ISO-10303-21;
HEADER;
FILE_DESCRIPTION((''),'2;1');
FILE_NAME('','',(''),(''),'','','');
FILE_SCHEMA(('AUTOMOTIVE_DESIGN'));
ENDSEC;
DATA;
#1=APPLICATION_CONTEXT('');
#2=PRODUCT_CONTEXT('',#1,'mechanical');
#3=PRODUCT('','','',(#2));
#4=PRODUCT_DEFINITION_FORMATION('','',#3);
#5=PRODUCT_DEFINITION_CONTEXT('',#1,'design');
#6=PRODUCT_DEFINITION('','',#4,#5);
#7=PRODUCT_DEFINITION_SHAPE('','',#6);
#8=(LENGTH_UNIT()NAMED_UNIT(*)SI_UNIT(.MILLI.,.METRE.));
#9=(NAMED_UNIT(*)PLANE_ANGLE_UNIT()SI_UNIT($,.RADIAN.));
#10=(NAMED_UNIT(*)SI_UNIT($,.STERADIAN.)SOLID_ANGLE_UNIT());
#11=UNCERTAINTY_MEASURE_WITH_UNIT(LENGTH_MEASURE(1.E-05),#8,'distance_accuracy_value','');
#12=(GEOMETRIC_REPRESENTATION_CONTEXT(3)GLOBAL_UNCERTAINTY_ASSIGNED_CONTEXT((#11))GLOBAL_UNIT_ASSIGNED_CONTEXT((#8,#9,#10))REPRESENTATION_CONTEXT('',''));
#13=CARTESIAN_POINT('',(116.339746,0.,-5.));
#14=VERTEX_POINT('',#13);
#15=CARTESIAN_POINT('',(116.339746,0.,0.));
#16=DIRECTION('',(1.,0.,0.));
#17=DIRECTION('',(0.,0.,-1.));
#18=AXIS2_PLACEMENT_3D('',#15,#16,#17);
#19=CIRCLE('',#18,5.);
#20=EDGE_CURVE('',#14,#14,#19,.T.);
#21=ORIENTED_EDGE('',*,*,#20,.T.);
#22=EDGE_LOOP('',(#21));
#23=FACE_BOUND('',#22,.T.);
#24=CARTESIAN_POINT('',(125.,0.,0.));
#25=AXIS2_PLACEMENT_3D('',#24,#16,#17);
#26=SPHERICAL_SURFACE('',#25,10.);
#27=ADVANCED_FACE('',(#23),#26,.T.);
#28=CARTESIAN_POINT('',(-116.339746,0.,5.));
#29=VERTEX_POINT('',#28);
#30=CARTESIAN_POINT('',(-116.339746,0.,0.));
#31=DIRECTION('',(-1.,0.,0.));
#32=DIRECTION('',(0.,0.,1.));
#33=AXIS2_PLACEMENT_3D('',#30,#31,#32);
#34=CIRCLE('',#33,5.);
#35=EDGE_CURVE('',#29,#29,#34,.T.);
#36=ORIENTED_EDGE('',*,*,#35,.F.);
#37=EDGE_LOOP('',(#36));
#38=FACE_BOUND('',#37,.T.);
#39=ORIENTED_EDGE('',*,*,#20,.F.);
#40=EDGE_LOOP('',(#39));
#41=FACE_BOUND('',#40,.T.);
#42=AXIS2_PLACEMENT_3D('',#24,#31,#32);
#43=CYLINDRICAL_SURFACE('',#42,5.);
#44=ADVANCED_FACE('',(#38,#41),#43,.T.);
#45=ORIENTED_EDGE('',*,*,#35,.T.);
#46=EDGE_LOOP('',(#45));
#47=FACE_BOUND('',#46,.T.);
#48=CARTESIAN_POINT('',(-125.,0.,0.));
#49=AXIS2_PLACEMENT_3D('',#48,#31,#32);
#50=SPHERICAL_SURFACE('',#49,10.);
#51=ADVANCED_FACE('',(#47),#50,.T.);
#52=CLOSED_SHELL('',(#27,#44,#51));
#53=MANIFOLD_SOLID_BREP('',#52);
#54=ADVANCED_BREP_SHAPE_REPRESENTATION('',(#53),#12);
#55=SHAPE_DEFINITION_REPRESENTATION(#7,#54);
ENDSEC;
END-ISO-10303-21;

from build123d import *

# Parameters (mm, degrees)
SKETCH1_R           = 5
BOSS_EXTRUDE1_DEPTH = 125


with BuildPart() as part:
    # Sketch1 → Boss-Extrude1 (new body, symmetric)
    with BuildSketch(Plane(origin=(0, 0, 0), x_dir=(0, 0, -1), z_dir=(1, 0, 0))):
        Circle(SKETCH1_R)
    extrude(amount=BOSS_EXTRUDE1_DEPTH, both=True)

    # Sketch2 → Revolve1 (revolve)
    with BuildSketch(Plane(origin=(125, 0, 0), x_dir=(0, 0, -1), z_dir=(1, 0, 0))):
        with BuildLine():
            Line((0, 10), (0, -10))
            ThreePointArc((0, -10), (10, 0), (0, 10))
        make_face()
    revolve1 = revolve(axis=Axis((125, 10, 0), (0, -1, 0)))

    # Mirror1: Revolve1 across plane
    add(revolve1.mirror(Plane(origin=(0, 0, 0), x_dir=(0, 0, 1), z_dir=(1, 0, 0))))


solid = part.part
